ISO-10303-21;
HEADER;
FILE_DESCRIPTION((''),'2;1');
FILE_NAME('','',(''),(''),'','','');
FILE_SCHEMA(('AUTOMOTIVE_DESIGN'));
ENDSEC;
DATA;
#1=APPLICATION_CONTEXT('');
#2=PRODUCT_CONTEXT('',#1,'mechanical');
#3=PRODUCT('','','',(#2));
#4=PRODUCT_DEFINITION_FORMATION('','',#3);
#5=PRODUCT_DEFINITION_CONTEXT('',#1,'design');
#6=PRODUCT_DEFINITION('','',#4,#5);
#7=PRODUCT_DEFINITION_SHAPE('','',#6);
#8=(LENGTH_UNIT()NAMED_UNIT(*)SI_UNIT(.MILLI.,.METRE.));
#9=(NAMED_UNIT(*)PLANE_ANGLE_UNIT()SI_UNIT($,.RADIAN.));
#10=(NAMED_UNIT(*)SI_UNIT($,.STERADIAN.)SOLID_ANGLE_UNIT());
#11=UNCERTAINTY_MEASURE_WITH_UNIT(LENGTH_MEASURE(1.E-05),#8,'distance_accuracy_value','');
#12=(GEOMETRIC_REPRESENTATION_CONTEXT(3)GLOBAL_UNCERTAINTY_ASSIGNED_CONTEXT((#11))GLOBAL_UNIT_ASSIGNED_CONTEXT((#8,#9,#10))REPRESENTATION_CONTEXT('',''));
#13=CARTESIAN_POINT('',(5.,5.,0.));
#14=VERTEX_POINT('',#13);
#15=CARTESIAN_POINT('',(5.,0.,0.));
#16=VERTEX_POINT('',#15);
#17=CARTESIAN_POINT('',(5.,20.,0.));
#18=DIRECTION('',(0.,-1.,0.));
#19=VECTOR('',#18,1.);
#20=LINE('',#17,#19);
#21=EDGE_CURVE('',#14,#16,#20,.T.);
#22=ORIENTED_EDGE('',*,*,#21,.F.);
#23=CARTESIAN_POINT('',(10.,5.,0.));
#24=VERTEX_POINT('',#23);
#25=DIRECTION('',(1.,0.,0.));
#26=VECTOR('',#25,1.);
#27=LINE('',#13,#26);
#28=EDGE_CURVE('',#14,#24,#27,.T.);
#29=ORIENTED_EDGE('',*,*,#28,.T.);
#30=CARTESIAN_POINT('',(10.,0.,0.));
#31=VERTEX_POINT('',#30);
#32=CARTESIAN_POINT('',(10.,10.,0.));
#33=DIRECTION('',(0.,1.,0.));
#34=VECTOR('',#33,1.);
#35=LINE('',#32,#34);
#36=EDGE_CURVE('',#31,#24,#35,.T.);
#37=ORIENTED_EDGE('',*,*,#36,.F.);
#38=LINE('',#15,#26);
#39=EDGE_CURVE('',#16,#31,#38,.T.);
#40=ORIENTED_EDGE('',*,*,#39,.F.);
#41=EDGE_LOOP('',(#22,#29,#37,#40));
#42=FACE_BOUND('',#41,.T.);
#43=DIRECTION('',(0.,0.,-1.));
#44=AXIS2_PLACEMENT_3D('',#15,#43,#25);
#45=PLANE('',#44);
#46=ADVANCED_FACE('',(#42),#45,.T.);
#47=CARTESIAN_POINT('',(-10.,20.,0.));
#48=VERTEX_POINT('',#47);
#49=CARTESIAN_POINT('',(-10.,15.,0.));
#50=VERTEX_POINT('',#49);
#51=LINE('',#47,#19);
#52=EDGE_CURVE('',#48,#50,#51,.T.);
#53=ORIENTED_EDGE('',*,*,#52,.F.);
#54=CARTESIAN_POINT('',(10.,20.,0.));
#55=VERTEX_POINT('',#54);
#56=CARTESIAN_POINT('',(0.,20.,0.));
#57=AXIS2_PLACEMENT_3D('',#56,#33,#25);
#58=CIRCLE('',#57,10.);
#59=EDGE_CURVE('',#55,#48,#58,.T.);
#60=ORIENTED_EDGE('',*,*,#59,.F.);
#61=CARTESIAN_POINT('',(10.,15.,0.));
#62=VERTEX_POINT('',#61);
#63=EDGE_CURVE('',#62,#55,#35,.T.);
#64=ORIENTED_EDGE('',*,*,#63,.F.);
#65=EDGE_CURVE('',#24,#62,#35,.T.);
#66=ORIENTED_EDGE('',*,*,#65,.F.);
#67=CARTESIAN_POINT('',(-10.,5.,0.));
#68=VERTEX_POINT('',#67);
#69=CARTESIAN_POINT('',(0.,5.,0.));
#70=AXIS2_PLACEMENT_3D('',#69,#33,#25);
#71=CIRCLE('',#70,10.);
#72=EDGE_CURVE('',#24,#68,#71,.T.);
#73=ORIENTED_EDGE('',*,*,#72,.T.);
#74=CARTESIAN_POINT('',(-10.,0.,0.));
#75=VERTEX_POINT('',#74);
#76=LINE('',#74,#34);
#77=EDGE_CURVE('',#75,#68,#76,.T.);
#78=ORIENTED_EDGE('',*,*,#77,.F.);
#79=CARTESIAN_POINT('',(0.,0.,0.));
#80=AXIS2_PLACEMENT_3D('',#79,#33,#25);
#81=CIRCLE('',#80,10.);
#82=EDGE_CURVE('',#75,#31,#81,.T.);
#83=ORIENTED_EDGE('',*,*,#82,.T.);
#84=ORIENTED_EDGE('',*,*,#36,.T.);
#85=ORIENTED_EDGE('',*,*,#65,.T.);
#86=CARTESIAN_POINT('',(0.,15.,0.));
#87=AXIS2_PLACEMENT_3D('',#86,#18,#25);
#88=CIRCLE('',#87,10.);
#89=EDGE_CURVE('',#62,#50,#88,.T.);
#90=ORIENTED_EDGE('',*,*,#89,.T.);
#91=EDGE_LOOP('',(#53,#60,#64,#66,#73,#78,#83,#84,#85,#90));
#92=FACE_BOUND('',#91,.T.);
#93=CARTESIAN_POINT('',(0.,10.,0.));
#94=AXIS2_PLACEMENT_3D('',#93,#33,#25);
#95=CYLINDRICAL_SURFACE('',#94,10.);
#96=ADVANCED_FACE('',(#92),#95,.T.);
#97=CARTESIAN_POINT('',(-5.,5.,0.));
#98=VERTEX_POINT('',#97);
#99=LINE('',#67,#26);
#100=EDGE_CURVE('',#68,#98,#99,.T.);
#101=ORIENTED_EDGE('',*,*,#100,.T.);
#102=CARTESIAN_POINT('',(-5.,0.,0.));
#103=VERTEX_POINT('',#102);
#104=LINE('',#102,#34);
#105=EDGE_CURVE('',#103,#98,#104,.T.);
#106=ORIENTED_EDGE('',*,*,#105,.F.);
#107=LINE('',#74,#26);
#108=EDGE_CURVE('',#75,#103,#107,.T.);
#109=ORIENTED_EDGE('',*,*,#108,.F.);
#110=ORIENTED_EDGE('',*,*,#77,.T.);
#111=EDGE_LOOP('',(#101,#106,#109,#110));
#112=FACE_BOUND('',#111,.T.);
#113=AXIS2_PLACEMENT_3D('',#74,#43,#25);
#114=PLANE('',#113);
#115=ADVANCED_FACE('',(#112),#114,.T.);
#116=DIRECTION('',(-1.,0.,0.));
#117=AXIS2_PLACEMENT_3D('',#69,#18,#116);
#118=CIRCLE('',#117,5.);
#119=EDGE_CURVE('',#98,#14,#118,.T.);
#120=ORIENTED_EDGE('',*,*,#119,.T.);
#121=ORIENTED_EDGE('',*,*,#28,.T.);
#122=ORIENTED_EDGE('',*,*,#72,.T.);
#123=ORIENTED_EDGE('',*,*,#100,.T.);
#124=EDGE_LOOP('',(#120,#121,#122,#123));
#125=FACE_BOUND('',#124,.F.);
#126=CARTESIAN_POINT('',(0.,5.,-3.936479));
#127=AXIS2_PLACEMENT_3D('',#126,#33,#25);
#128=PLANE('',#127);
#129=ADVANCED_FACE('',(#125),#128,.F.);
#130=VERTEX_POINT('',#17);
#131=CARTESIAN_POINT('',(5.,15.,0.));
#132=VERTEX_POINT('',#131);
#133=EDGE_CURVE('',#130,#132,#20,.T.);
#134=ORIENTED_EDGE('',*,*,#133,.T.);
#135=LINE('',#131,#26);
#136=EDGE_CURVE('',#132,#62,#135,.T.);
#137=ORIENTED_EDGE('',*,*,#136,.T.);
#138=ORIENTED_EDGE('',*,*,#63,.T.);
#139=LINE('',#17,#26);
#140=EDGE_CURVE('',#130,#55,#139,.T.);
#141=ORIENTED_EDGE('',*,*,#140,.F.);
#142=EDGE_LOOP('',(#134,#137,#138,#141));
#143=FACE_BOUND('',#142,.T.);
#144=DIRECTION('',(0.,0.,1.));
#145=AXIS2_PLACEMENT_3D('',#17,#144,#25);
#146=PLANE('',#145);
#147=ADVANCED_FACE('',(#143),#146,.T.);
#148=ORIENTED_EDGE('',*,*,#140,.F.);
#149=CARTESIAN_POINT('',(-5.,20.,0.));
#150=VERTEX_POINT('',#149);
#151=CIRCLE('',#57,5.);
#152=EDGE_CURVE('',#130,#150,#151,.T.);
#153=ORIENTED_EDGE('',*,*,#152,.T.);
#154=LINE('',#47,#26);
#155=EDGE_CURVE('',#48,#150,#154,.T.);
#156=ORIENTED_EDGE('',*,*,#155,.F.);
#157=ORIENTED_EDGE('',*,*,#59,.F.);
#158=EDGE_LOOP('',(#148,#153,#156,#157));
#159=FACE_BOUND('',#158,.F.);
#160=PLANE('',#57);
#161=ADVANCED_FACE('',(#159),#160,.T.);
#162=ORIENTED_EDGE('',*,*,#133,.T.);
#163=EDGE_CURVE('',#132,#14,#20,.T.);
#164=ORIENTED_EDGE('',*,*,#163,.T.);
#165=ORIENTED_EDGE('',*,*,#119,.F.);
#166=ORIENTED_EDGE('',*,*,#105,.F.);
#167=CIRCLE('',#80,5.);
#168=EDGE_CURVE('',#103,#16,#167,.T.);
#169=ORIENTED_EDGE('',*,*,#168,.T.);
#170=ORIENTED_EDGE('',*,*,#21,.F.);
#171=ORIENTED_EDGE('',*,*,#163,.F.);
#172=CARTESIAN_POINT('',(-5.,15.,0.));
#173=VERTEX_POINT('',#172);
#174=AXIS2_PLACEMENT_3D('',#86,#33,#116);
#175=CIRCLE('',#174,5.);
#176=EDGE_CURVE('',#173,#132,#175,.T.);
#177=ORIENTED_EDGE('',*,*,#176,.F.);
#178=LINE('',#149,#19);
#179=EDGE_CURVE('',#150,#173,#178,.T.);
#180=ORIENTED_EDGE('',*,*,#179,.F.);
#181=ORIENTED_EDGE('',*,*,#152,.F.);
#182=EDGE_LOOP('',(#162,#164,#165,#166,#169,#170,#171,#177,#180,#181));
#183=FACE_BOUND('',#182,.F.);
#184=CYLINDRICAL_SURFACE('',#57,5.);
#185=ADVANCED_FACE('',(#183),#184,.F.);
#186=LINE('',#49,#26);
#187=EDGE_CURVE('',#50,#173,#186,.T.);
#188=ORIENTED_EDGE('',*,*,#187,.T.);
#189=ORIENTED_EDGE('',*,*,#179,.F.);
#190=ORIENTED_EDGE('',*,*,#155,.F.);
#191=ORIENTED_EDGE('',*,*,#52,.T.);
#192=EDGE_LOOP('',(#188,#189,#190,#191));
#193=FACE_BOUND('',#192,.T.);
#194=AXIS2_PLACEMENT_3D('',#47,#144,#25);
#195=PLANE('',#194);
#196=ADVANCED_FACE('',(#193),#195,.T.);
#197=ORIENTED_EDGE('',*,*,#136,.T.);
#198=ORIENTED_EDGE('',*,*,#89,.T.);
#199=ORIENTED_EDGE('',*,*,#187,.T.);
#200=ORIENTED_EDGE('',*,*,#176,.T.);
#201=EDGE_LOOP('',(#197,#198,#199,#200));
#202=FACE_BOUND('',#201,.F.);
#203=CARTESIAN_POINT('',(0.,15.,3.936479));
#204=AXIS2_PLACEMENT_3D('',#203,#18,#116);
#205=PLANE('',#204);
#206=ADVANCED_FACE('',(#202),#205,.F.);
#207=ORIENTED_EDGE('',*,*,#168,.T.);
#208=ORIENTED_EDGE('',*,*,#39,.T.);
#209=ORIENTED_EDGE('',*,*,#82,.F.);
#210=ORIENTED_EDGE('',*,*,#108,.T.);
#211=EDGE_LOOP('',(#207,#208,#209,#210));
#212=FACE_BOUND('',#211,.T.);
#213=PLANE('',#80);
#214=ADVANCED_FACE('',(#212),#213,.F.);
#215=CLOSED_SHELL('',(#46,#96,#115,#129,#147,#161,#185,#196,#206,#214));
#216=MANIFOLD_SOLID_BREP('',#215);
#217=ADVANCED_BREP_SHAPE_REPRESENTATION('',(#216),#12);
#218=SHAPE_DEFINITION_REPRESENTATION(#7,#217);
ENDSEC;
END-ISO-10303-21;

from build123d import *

# Parameters (mm, degrees)
SKETCH1_W          = 10
SKETCH1_H          = 20
SKETCH2_R          = 5
CUT_EXTRUDE1_DEPTH = 20
CUT_EXTRUDE2_DEPTH = 5
CUT_EXTRUDE3_DEPTH = 5


with BuildPart() as part:
    # Sketch1 → Revolve1 (revolve)
    with BuildSketch(Plane.XY):
        with Locations((5, 10)):
            Rectangle(SKETCH1_W, SKETCH1_H)
    revolve(axis=Axis((0, 0, 0), (0, 1, 0)))

    # Sketch2 → Cut-Extrude1 (cut)
    with BuildSketch(Plane(origin=(0, 20, 0), x_dir=(1, 0, 0), z_dir=(0, 1, 0))):
        Circle(SKETCH2_R)
    extrude(amount=-CUT_EXTRUDE1_DEPTH, mode=Mode.SUBTRACT)

    # Sketch3 → Cut-Extrude2 (cut)
    with BuildSketch(Plane(origin=(0, 20, 0), x_dir=(1, 0, 0), z_dir=(0, 1, 0))):
        with BuildLine():
            Line((-10, 0), (-5, 0))
            ThreePointArc((-5, 0), (0, -5), (5, 0))
            Line((5, 0), (10, 0))
            ThreePointArc((10, 0), (0, -10), (-10, 0))
        make_face()
    extrude(amount=-CUT_EXTRUDE2_DEPTH, mode=Mode.SUBTRACT)

    # Sketch4 → Cut-Extrude3 (cut)
    with BuildSketch(Plane(origin=(0, 0, 0), x_dir=(-1, 0, 0), z_dir=(0, -1, 0))):
        with BuildLine():
            Line((10, 0), (5, 0))
            ThreePointArc((5, 0), (0, 5), (-5, 0))
            Line((-5, 0), (-10, 0))
            ThreePointArc((-10, 0), (0, 10), (10, 0))
        make_face()
    extrude(amount=-CUT_EXTRUDE3_DEPTH, mode=Mode.SUBTRACT)


solid = part.part
